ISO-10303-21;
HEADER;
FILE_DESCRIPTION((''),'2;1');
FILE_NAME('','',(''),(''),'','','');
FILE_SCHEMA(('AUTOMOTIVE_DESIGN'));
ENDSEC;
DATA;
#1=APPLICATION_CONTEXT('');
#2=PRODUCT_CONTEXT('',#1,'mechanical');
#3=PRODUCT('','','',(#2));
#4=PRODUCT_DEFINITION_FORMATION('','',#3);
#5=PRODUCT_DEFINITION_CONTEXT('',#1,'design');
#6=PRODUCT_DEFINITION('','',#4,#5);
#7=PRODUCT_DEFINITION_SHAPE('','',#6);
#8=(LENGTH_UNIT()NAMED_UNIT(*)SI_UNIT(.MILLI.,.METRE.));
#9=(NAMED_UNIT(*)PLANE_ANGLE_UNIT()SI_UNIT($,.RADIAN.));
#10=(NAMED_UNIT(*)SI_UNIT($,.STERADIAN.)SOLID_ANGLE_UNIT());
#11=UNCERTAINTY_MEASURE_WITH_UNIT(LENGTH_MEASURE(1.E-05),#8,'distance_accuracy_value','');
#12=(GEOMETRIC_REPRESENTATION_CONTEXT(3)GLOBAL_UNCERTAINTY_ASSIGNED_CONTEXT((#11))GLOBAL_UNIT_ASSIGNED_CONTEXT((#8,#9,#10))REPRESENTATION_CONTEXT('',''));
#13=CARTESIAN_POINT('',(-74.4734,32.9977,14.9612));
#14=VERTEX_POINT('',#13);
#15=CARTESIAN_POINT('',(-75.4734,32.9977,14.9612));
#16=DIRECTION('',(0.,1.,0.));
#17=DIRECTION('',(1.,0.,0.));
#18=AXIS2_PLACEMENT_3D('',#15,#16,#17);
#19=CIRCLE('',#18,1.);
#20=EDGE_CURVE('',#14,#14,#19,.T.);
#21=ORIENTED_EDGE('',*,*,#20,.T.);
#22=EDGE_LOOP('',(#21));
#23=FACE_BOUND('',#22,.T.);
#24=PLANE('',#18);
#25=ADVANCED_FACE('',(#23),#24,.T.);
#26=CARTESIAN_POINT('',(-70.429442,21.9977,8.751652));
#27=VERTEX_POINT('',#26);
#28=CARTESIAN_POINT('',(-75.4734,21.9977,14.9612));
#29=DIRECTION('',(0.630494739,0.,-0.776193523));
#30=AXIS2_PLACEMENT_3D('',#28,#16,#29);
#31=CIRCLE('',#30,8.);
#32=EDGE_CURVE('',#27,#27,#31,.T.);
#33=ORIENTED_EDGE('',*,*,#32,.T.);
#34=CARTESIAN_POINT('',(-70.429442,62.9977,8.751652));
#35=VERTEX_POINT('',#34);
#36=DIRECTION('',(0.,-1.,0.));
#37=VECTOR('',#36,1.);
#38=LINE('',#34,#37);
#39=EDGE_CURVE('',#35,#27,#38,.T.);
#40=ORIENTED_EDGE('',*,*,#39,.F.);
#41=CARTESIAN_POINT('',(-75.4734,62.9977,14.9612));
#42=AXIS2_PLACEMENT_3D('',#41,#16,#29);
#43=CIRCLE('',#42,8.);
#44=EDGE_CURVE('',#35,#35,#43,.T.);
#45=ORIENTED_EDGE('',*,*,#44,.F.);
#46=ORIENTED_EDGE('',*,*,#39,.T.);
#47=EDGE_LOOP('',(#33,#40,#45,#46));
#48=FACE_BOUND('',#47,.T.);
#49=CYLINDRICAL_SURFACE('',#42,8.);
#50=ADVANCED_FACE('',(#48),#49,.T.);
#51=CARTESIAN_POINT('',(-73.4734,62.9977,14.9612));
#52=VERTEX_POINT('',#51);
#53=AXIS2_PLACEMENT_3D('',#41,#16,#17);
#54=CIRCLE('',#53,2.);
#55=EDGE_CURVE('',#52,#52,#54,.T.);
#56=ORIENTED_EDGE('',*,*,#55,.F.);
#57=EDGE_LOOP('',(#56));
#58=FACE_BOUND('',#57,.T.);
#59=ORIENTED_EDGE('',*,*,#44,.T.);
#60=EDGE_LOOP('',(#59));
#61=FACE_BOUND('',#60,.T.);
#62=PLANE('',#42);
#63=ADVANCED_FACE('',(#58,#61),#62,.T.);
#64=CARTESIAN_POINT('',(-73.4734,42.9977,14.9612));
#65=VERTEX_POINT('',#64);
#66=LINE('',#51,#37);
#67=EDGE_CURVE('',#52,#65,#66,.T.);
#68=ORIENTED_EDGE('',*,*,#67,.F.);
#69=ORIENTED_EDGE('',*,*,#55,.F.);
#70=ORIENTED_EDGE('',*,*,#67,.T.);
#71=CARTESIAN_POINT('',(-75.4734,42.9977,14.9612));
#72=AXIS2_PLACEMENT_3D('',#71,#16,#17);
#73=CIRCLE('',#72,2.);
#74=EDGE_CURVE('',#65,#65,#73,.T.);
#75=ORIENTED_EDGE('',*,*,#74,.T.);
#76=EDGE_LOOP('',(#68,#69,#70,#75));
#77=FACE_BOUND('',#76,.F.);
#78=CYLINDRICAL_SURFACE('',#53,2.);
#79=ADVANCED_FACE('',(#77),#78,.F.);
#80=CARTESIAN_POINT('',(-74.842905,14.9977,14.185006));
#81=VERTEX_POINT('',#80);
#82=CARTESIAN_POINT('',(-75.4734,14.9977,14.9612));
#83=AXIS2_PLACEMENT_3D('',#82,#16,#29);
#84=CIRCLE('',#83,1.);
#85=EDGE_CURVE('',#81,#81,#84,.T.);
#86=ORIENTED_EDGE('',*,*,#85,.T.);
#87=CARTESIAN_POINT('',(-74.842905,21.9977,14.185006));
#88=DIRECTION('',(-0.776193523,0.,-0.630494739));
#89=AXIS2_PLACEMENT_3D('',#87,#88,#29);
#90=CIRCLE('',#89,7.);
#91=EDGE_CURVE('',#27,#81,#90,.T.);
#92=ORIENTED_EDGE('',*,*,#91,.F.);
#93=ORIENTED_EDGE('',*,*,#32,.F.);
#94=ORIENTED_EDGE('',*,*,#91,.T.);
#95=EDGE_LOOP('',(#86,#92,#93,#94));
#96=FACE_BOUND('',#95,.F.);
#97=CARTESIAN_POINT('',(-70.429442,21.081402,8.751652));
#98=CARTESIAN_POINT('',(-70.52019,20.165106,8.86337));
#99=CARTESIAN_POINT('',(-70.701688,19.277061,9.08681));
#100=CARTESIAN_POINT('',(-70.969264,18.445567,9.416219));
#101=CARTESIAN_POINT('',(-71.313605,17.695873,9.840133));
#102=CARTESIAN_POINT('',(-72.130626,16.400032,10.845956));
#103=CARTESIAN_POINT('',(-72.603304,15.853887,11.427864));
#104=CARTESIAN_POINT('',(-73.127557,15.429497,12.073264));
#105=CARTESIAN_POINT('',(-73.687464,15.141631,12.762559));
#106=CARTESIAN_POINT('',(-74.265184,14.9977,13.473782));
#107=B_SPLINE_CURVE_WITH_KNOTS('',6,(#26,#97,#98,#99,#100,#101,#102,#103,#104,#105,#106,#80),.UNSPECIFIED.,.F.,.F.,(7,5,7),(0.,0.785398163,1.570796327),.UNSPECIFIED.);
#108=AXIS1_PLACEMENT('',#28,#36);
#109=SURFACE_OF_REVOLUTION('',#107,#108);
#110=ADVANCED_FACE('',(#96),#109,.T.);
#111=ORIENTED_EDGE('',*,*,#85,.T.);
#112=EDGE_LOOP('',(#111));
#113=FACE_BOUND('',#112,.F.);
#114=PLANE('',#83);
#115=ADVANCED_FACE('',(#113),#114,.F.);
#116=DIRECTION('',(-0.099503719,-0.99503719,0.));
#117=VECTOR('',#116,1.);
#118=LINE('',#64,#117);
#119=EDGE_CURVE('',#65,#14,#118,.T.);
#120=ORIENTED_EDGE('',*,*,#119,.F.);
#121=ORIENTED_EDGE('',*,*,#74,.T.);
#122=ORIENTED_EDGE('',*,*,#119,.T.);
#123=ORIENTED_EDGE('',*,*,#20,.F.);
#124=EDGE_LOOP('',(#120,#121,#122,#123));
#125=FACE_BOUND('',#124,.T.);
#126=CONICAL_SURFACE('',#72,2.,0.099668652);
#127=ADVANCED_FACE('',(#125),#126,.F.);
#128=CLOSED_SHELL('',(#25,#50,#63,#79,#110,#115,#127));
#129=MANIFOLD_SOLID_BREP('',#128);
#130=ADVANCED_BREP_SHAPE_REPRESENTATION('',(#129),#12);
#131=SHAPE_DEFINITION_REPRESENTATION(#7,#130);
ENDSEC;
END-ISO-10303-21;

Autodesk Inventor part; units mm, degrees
ref_plane "YZ Plane" through (0, 0, 0) normal (1, 0, 0) x (0, 1, 0)
ref_plane "XZ Plane" through (0, 0, 0) normal (0, 1, 0) x (-1, 0, 0)
ref_plane "XY Plane" through (0, 0, 0) normal (0, 0, 1) x (1, 0, 0)
ref_plane "Płaszczyzna konstrukcyjna1" through (-75.4734, 102.9977, 14.9612) normal (0, 1, 0) x (0.6305, 0, -0.7762)
ref_plane "Płaszczyzna konstrukcyjna2" through (-75.4734, 62.9977, 14.9612) normal (0, 1, 0) x (0.6305, 0, -0.7762)
sketch "Szkic1" plane through (-75.4734, 62.9977, 14.9612) normal (0, 1, 0) x (0.6305, 0, -0.7762)
  circle A0 centre (0, 0) radius 8
  point P0 (59.1962, -49.1515)
  dimension "d0" = 16
extrude "Wyciągnięcie proste1" add sketch "Szkic1" against normal blind 48
fillet "Zaokrąglenie1" radius 7 1 edges at (-80.5171, 14.9977, 21.1709)
sketch "Szkic2" plane through (-75.4734, 62.9977, 14.9612) normal (0, 1, 0) x (1, 0, 0)
  circle A0 centre (0, 0) radius 8 projected
  circle A1 centre (0, 0) radius 1 projected
  circle A2 centre (0, 0) radius 2 projected
  point P0 (75.4734, 14.9612)
extrude "Wyciągnięcie proste2" cut sketch "Szkic2" against normal blind 30 contours A1 | A2
chamfer "Faza1" distance 10 distance2 1 1 edges at (-77.4734, 32.9977, 14.9612) measured on face at (-75.5539, 52.9977, 16.9596)
properties part number "ciecznnieznana" material "Woda"
